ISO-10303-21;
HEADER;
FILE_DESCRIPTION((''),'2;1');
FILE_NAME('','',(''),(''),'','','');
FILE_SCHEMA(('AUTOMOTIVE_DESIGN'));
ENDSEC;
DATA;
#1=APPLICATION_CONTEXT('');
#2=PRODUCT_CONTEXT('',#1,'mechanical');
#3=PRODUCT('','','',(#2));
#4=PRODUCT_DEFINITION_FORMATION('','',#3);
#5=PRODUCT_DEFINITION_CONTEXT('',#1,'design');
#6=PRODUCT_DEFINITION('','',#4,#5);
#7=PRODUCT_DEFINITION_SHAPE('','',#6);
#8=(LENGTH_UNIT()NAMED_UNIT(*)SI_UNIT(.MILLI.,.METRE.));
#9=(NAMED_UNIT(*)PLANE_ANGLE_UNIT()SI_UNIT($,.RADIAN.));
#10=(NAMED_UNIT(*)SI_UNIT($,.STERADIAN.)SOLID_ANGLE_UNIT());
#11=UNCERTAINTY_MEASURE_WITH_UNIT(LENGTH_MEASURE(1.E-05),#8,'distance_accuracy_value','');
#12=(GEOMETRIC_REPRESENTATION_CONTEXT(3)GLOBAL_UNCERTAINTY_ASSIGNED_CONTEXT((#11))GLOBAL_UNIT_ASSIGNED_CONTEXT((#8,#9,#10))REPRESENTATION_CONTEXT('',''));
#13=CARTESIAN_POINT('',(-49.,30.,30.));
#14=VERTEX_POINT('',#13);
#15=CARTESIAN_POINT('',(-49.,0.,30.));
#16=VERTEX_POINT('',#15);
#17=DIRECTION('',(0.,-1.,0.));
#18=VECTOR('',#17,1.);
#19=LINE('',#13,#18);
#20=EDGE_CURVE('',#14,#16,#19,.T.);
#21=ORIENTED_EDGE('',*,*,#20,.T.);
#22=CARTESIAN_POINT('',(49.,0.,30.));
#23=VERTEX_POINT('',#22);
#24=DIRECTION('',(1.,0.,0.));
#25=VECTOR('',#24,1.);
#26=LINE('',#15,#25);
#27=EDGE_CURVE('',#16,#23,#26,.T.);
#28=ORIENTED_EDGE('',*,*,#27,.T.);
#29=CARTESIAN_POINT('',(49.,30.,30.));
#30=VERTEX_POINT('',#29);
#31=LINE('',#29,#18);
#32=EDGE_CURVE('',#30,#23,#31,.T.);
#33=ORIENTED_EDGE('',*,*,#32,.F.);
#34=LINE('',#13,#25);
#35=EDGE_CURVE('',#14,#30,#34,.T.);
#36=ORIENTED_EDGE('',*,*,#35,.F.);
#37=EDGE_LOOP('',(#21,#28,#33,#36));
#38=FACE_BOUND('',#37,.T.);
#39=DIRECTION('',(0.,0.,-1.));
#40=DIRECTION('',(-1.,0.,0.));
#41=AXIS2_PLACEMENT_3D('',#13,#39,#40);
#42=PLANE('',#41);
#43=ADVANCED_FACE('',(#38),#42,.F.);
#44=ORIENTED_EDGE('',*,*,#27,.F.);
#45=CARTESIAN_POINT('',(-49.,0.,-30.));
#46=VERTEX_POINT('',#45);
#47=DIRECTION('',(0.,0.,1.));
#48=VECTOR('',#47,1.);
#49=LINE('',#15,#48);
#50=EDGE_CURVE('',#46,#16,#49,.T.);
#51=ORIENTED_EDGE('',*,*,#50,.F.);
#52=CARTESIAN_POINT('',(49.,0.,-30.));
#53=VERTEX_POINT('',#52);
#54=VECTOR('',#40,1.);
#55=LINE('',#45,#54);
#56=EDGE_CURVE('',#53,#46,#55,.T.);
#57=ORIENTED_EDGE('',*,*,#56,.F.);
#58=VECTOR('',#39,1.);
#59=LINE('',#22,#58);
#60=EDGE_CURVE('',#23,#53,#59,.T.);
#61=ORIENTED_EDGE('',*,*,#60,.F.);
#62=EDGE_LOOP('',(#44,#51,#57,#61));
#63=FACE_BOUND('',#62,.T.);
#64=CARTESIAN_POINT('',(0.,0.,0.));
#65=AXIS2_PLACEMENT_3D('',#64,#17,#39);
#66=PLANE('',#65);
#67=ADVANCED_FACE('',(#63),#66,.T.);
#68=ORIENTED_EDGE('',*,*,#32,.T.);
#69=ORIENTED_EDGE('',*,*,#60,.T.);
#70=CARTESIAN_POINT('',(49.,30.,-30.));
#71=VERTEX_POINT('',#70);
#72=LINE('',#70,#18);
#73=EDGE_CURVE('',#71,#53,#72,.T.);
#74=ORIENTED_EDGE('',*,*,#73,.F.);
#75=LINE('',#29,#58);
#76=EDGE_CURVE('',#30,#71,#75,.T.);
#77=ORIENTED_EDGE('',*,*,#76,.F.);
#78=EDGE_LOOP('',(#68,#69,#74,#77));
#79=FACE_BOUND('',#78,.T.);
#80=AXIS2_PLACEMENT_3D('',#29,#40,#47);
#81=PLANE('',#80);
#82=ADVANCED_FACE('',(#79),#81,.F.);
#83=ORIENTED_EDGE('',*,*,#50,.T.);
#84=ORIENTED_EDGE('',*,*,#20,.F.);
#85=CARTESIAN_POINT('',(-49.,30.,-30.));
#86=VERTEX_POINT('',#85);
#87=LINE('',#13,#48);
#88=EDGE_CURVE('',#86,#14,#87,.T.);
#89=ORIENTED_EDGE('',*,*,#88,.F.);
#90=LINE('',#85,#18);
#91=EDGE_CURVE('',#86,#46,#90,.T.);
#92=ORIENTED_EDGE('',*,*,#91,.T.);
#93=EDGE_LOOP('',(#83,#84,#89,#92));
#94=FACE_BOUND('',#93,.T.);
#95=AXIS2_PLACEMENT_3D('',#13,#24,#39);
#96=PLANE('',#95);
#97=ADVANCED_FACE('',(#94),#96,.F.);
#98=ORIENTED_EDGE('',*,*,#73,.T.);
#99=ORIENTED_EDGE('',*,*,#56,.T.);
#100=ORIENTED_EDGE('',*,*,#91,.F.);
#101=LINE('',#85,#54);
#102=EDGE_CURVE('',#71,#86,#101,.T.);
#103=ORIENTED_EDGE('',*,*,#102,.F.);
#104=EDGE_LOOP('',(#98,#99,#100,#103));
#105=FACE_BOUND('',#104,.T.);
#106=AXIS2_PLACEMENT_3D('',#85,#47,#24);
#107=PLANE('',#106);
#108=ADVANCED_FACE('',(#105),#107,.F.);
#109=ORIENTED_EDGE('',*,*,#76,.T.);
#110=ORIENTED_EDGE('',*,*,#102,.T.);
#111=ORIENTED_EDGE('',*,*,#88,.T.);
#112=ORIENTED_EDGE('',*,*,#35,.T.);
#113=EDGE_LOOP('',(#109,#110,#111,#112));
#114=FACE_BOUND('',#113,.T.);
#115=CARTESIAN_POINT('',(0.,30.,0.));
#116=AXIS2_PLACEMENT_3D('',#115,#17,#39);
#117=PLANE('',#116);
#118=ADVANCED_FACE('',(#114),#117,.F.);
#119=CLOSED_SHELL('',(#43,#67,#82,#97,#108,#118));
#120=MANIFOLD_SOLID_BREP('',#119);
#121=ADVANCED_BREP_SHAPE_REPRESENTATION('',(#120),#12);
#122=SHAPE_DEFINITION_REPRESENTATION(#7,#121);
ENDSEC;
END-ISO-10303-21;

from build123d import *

# Parameters (mm, degrees)
SKETCH_1_W      = 98
SKETCH_1_H      = 60
EXTRUDE_1_DEPTH = 30


with BuildPart() as part:
    # 草图1 → 凸台-拉伸1 (new body)
    with BuildSketch(Plane(origin=(0, 0, 0), x_dir=(1, 0, 0), z_dir=(0, 1, 0))):
        Rectangle(SKETCH_1_W, SKETCH_1_H)
    extrude(amount=EXTRUDE_1_DEPTH)


solid = part.part
